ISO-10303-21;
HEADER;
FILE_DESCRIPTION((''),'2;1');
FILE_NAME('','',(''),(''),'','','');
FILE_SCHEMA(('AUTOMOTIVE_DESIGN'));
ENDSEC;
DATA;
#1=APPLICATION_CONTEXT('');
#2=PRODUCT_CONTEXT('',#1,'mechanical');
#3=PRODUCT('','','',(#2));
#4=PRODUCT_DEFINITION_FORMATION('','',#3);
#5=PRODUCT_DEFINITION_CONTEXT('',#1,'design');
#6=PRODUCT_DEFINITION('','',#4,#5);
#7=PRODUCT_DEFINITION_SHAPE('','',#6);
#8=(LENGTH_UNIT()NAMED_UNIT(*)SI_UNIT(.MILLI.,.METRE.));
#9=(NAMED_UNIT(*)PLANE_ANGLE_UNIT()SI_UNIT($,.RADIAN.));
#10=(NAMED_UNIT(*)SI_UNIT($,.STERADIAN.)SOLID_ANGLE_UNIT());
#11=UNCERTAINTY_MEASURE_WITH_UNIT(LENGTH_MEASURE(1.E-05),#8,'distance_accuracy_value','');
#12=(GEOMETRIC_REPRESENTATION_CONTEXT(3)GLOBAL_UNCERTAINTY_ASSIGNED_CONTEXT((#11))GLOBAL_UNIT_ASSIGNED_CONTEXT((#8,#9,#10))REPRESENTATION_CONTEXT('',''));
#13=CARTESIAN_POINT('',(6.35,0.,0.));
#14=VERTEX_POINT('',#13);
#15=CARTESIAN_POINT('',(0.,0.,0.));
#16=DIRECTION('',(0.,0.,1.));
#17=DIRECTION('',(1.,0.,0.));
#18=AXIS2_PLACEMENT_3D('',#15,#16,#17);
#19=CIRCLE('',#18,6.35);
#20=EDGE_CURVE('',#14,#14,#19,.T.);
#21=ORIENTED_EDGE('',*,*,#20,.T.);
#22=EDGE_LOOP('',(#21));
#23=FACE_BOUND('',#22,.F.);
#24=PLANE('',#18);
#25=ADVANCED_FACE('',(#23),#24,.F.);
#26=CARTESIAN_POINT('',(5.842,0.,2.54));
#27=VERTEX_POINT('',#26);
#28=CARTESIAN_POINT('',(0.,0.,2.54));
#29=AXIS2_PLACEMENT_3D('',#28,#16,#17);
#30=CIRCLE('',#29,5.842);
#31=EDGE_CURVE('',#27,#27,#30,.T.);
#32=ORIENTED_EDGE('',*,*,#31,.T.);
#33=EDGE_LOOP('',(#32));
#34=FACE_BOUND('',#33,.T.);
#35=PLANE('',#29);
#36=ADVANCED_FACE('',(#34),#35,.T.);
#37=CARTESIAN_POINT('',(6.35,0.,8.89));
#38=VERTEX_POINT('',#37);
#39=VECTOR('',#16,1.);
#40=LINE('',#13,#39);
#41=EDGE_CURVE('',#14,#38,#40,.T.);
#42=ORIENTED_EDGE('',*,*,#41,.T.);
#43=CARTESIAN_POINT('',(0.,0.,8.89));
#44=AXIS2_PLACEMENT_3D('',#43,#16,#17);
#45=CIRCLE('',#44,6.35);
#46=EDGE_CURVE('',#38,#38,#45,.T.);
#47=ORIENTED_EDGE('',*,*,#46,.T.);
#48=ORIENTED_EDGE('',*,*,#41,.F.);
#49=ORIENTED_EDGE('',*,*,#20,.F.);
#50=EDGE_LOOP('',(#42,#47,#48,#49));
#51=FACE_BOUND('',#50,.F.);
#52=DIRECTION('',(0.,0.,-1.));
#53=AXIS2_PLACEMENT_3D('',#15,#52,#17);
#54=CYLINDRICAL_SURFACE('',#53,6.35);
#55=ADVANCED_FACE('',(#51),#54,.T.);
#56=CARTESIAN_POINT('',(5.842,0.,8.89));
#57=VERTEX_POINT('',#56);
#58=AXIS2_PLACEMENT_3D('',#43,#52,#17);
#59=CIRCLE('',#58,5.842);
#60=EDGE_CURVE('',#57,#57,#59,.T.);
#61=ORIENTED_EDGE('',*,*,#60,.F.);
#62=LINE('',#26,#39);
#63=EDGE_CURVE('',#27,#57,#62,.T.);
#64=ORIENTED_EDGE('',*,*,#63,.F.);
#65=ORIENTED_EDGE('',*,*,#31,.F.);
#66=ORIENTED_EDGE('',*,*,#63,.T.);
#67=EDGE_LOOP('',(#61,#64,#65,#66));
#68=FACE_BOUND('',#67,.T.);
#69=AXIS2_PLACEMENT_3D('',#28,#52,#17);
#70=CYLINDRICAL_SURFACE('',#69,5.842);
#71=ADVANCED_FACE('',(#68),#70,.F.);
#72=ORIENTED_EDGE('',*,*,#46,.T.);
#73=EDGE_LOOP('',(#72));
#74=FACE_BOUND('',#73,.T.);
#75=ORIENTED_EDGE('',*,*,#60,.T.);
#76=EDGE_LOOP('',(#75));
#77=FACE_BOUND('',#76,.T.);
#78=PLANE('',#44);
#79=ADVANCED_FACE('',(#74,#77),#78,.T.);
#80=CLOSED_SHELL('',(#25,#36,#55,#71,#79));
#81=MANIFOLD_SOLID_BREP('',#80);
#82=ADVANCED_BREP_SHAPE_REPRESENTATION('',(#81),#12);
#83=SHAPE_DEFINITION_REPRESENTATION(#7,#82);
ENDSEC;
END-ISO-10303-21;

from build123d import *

# Parameters (mm, degrees)
F0_R     = 6.35
F0_R_2   = 5.842
F1_DEPTH = 8.89
F2_START = 2.54
F2_DEPTH = 22.86


with BuildPart() as f1:
    # F0 (on Top) → F1 (new body)
    with BuildSketch(Plane.XY):
        Circle(F0_R)
        Circle(F0_R_2, mode=Mode.SUBTRACT)
        Circle(F0_R_2)
    extrude(amount=F1_DEPTH)

    # F0 (on Top) → F2 (cut)
    with BuildSketch(Plane.XY.offset(F2_START)):
        Circle(F0_R_2)
    extrude(amount=F2_DEPTH, mode=Mode.SUBTRACT)


solid = f1.part
